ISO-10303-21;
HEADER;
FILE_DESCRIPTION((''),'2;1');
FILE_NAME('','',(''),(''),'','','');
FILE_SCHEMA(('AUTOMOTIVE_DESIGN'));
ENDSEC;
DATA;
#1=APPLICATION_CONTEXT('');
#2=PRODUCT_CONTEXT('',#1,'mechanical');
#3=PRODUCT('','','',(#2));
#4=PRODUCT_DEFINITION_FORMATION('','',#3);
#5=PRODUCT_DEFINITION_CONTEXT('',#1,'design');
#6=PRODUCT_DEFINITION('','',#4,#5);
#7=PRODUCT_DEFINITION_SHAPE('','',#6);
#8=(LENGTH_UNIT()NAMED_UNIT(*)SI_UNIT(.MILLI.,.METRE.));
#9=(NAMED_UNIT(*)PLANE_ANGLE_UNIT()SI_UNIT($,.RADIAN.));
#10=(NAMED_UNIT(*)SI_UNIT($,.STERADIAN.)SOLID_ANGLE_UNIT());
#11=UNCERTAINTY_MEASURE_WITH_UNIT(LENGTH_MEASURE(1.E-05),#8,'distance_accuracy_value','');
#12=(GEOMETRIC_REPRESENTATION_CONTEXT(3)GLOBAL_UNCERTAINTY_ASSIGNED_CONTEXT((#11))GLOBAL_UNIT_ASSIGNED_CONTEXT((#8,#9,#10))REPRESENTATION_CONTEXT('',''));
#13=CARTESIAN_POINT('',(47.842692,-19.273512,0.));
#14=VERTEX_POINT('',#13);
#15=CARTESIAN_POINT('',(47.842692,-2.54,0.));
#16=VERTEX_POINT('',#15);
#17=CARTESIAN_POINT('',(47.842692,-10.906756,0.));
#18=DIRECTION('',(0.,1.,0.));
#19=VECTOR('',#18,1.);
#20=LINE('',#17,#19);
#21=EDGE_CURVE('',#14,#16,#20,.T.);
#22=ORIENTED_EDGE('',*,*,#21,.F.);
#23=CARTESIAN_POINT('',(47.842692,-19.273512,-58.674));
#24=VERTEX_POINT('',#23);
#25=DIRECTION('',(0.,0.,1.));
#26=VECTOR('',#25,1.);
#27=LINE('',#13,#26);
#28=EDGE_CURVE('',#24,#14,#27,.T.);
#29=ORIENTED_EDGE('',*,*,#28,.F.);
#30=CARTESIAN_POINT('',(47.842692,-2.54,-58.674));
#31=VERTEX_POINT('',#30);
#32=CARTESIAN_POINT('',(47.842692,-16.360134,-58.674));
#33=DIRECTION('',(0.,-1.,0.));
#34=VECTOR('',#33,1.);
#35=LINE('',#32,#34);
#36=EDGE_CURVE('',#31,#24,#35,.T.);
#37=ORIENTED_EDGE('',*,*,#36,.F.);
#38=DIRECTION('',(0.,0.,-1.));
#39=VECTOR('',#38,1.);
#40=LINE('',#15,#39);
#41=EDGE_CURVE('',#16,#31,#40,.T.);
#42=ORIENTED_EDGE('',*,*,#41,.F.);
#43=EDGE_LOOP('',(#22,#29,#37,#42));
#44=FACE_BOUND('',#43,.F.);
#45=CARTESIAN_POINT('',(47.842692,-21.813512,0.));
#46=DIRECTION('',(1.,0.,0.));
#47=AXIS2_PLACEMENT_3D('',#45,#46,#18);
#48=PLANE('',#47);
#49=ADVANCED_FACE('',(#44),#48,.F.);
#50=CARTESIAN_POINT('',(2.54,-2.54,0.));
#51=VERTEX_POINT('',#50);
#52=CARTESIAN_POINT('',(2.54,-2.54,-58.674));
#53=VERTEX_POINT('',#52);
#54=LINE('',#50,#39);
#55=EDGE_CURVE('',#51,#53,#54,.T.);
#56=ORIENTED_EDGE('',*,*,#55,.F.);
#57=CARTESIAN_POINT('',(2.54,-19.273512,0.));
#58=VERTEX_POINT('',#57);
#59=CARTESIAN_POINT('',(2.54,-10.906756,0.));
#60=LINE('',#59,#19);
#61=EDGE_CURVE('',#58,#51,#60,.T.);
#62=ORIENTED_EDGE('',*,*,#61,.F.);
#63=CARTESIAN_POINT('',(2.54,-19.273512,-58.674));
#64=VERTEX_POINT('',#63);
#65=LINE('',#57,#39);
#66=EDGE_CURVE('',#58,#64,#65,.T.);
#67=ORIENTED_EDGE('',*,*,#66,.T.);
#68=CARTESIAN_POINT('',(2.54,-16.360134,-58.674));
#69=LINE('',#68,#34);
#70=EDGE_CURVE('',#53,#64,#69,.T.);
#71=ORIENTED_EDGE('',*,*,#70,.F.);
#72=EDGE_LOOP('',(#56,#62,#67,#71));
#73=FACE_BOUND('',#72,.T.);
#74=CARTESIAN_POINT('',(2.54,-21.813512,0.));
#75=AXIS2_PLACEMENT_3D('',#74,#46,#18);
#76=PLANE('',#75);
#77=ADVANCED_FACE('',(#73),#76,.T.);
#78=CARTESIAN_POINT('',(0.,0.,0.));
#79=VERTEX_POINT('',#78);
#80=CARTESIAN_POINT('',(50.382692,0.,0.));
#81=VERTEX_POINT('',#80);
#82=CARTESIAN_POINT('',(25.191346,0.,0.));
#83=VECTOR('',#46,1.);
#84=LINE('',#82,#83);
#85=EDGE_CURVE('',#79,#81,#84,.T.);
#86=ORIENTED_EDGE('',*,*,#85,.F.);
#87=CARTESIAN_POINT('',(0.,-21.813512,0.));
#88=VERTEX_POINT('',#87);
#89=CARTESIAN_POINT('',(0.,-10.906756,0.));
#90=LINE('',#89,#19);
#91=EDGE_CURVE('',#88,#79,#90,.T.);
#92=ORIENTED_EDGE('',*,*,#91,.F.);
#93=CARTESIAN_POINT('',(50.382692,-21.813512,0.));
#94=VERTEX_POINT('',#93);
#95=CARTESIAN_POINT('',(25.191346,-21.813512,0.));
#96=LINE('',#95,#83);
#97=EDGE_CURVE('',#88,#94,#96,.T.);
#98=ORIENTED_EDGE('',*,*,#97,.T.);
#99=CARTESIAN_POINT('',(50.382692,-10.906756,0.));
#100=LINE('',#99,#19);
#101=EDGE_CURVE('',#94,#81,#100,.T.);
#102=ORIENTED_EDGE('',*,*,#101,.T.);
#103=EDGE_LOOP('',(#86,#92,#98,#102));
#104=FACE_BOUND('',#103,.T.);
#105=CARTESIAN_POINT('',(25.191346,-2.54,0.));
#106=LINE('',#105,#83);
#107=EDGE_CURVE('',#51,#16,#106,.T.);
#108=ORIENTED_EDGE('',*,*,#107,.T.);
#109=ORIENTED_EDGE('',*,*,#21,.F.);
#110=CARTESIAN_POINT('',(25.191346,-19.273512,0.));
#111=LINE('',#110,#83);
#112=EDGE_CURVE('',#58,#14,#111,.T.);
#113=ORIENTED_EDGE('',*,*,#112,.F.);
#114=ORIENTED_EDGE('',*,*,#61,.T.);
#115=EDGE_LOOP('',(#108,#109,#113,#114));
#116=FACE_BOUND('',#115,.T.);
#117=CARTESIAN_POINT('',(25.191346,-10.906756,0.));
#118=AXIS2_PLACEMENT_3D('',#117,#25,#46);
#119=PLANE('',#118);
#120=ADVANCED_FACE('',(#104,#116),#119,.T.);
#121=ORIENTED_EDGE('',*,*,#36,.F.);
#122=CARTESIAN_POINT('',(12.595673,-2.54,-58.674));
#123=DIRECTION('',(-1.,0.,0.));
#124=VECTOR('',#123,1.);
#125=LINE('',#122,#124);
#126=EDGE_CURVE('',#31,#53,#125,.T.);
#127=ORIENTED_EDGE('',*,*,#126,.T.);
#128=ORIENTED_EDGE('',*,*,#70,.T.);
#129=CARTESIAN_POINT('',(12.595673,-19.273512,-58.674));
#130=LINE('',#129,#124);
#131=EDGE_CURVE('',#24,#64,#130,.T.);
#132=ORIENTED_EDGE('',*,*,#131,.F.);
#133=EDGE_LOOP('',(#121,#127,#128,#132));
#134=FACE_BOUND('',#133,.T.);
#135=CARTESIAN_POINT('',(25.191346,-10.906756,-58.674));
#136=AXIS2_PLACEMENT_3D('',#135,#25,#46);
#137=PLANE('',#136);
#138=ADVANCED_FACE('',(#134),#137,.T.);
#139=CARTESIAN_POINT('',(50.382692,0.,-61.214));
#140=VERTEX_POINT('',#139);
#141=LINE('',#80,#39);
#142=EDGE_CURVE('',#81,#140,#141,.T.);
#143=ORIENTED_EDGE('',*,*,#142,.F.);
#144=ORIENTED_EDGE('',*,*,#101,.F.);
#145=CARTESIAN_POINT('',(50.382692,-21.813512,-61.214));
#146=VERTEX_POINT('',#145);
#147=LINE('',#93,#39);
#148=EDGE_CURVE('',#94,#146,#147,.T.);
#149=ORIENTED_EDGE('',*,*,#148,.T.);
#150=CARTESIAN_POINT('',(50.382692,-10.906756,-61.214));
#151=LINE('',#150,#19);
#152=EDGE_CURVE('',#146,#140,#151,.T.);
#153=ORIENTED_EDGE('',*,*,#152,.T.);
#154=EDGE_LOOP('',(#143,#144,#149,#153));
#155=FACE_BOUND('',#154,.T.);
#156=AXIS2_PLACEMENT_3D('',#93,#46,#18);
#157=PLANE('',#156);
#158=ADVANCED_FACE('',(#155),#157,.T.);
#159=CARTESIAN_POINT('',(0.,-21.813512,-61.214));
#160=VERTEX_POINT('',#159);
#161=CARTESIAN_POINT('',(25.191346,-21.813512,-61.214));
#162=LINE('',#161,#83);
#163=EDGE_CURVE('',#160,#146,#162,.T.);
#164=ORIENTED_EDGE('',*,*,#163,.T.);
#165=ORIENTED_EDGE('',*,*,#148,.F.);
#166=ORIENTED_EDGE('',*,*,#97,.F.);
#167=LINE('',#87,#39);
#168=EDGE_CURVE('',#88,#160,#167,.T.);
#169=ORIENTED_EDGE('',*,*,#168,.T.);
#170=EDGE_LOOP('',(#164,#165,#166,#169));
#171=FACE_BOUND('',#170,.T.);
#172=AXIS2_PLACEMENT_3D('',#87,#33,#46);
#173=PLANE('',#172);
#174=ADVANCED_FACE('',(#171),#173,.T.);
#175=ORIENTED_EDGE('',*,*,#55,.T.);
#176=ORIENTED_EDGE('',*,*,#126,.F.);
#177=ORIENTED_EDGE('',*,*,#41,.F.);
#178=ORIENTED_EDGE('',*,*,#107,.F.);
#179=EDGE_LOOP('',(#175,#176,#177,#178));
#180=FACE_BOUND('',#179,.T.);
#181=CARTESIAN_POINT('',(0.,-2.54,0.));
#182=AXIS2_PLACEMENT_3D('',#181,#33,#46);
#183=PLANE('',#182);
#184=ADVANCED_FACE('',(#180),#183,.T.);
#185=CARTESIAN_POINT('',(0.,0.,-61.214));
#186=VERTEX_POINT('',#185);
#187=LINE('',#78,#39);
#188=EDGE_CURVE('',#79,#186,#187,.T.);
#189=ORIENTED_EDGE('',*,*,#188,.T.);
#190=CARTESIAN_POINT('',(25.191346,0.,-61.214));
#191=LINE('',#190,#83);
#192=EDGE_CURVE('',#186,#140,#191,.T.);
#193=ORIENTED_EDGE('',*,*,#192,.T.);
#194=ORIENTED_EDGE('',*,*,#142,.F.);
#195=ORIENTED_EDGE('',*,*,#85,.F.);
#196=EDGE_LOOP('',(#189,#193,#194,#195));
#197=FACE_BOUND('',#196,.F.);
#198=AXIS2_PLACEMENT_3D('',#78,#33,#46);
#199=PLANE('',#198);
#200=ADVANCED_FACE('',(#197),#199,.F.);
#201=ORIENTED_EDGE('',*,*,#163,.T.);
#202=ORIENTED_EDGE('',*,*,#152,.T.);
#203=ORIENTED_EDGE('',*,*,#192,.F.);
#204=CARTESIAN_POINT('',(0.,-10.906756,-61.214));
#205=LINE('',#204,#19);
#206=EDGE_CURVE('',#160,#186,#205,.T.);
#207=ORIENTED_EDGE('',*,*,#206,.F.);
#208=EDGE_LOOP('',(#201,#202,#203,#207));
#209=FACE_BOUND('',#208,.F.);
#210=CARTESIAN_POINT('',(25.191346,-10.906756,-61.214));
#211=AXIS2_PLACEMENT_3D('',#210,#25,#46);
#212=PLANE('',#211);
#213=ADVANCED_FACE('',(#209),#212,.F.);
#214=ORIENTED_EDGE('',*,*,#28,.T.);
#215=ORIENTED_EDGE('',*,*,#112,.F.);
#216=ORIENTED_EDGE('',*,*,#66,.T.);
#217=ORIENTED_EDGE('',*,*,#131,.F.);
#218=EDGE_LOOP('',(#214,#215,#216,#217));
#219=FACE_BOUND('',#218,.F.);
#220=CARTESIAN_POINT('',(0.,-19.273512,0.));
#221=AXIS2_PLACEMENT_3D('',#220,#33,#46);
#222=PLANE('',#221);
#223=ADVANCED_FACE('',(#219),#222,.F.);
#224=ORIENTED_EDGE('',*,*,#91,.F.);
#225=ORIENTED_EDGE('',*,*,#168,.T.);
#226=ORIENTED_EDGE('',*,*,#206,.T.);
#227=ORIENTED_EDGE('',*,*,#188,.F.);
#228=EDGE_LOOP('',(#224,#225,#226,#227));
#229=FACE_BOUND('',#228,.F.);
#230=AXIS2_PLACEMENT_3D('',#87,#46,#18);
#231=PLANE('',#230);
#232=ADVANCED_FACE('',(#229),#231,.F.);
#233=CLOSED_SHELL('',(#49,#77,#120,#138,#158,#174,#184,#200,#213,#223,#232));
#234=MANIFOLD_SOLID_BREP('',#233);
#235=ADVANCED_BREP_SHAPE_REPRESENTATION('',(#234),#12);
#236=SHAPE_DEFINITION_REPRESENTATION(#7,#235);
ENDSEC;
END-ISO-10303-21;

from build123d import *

# Parameters (mm, degrees)
F0_W     = 50.382692
F0_H     = 21.813512
F1_DEPTH = 61.214
F2_T     = -2.54


with BuildPart() as f1:
    # F0 (on Top) → F1 (new body)
    with BuildSketch(Plane.XY):
        with Locations((25.191346, -10.906756)):
            Rectangle(F0_W, F0_H)
    extrude(amount=-F1_DEPTH)

    # F2
    f2_openings = [f1.faces().sort_by_distance(p)[0] for p in [
        (25.191346, -10.906756, 0),
    ]]
    offset(amount=F2_T, openings=f2_openings)


solid = f1.part
